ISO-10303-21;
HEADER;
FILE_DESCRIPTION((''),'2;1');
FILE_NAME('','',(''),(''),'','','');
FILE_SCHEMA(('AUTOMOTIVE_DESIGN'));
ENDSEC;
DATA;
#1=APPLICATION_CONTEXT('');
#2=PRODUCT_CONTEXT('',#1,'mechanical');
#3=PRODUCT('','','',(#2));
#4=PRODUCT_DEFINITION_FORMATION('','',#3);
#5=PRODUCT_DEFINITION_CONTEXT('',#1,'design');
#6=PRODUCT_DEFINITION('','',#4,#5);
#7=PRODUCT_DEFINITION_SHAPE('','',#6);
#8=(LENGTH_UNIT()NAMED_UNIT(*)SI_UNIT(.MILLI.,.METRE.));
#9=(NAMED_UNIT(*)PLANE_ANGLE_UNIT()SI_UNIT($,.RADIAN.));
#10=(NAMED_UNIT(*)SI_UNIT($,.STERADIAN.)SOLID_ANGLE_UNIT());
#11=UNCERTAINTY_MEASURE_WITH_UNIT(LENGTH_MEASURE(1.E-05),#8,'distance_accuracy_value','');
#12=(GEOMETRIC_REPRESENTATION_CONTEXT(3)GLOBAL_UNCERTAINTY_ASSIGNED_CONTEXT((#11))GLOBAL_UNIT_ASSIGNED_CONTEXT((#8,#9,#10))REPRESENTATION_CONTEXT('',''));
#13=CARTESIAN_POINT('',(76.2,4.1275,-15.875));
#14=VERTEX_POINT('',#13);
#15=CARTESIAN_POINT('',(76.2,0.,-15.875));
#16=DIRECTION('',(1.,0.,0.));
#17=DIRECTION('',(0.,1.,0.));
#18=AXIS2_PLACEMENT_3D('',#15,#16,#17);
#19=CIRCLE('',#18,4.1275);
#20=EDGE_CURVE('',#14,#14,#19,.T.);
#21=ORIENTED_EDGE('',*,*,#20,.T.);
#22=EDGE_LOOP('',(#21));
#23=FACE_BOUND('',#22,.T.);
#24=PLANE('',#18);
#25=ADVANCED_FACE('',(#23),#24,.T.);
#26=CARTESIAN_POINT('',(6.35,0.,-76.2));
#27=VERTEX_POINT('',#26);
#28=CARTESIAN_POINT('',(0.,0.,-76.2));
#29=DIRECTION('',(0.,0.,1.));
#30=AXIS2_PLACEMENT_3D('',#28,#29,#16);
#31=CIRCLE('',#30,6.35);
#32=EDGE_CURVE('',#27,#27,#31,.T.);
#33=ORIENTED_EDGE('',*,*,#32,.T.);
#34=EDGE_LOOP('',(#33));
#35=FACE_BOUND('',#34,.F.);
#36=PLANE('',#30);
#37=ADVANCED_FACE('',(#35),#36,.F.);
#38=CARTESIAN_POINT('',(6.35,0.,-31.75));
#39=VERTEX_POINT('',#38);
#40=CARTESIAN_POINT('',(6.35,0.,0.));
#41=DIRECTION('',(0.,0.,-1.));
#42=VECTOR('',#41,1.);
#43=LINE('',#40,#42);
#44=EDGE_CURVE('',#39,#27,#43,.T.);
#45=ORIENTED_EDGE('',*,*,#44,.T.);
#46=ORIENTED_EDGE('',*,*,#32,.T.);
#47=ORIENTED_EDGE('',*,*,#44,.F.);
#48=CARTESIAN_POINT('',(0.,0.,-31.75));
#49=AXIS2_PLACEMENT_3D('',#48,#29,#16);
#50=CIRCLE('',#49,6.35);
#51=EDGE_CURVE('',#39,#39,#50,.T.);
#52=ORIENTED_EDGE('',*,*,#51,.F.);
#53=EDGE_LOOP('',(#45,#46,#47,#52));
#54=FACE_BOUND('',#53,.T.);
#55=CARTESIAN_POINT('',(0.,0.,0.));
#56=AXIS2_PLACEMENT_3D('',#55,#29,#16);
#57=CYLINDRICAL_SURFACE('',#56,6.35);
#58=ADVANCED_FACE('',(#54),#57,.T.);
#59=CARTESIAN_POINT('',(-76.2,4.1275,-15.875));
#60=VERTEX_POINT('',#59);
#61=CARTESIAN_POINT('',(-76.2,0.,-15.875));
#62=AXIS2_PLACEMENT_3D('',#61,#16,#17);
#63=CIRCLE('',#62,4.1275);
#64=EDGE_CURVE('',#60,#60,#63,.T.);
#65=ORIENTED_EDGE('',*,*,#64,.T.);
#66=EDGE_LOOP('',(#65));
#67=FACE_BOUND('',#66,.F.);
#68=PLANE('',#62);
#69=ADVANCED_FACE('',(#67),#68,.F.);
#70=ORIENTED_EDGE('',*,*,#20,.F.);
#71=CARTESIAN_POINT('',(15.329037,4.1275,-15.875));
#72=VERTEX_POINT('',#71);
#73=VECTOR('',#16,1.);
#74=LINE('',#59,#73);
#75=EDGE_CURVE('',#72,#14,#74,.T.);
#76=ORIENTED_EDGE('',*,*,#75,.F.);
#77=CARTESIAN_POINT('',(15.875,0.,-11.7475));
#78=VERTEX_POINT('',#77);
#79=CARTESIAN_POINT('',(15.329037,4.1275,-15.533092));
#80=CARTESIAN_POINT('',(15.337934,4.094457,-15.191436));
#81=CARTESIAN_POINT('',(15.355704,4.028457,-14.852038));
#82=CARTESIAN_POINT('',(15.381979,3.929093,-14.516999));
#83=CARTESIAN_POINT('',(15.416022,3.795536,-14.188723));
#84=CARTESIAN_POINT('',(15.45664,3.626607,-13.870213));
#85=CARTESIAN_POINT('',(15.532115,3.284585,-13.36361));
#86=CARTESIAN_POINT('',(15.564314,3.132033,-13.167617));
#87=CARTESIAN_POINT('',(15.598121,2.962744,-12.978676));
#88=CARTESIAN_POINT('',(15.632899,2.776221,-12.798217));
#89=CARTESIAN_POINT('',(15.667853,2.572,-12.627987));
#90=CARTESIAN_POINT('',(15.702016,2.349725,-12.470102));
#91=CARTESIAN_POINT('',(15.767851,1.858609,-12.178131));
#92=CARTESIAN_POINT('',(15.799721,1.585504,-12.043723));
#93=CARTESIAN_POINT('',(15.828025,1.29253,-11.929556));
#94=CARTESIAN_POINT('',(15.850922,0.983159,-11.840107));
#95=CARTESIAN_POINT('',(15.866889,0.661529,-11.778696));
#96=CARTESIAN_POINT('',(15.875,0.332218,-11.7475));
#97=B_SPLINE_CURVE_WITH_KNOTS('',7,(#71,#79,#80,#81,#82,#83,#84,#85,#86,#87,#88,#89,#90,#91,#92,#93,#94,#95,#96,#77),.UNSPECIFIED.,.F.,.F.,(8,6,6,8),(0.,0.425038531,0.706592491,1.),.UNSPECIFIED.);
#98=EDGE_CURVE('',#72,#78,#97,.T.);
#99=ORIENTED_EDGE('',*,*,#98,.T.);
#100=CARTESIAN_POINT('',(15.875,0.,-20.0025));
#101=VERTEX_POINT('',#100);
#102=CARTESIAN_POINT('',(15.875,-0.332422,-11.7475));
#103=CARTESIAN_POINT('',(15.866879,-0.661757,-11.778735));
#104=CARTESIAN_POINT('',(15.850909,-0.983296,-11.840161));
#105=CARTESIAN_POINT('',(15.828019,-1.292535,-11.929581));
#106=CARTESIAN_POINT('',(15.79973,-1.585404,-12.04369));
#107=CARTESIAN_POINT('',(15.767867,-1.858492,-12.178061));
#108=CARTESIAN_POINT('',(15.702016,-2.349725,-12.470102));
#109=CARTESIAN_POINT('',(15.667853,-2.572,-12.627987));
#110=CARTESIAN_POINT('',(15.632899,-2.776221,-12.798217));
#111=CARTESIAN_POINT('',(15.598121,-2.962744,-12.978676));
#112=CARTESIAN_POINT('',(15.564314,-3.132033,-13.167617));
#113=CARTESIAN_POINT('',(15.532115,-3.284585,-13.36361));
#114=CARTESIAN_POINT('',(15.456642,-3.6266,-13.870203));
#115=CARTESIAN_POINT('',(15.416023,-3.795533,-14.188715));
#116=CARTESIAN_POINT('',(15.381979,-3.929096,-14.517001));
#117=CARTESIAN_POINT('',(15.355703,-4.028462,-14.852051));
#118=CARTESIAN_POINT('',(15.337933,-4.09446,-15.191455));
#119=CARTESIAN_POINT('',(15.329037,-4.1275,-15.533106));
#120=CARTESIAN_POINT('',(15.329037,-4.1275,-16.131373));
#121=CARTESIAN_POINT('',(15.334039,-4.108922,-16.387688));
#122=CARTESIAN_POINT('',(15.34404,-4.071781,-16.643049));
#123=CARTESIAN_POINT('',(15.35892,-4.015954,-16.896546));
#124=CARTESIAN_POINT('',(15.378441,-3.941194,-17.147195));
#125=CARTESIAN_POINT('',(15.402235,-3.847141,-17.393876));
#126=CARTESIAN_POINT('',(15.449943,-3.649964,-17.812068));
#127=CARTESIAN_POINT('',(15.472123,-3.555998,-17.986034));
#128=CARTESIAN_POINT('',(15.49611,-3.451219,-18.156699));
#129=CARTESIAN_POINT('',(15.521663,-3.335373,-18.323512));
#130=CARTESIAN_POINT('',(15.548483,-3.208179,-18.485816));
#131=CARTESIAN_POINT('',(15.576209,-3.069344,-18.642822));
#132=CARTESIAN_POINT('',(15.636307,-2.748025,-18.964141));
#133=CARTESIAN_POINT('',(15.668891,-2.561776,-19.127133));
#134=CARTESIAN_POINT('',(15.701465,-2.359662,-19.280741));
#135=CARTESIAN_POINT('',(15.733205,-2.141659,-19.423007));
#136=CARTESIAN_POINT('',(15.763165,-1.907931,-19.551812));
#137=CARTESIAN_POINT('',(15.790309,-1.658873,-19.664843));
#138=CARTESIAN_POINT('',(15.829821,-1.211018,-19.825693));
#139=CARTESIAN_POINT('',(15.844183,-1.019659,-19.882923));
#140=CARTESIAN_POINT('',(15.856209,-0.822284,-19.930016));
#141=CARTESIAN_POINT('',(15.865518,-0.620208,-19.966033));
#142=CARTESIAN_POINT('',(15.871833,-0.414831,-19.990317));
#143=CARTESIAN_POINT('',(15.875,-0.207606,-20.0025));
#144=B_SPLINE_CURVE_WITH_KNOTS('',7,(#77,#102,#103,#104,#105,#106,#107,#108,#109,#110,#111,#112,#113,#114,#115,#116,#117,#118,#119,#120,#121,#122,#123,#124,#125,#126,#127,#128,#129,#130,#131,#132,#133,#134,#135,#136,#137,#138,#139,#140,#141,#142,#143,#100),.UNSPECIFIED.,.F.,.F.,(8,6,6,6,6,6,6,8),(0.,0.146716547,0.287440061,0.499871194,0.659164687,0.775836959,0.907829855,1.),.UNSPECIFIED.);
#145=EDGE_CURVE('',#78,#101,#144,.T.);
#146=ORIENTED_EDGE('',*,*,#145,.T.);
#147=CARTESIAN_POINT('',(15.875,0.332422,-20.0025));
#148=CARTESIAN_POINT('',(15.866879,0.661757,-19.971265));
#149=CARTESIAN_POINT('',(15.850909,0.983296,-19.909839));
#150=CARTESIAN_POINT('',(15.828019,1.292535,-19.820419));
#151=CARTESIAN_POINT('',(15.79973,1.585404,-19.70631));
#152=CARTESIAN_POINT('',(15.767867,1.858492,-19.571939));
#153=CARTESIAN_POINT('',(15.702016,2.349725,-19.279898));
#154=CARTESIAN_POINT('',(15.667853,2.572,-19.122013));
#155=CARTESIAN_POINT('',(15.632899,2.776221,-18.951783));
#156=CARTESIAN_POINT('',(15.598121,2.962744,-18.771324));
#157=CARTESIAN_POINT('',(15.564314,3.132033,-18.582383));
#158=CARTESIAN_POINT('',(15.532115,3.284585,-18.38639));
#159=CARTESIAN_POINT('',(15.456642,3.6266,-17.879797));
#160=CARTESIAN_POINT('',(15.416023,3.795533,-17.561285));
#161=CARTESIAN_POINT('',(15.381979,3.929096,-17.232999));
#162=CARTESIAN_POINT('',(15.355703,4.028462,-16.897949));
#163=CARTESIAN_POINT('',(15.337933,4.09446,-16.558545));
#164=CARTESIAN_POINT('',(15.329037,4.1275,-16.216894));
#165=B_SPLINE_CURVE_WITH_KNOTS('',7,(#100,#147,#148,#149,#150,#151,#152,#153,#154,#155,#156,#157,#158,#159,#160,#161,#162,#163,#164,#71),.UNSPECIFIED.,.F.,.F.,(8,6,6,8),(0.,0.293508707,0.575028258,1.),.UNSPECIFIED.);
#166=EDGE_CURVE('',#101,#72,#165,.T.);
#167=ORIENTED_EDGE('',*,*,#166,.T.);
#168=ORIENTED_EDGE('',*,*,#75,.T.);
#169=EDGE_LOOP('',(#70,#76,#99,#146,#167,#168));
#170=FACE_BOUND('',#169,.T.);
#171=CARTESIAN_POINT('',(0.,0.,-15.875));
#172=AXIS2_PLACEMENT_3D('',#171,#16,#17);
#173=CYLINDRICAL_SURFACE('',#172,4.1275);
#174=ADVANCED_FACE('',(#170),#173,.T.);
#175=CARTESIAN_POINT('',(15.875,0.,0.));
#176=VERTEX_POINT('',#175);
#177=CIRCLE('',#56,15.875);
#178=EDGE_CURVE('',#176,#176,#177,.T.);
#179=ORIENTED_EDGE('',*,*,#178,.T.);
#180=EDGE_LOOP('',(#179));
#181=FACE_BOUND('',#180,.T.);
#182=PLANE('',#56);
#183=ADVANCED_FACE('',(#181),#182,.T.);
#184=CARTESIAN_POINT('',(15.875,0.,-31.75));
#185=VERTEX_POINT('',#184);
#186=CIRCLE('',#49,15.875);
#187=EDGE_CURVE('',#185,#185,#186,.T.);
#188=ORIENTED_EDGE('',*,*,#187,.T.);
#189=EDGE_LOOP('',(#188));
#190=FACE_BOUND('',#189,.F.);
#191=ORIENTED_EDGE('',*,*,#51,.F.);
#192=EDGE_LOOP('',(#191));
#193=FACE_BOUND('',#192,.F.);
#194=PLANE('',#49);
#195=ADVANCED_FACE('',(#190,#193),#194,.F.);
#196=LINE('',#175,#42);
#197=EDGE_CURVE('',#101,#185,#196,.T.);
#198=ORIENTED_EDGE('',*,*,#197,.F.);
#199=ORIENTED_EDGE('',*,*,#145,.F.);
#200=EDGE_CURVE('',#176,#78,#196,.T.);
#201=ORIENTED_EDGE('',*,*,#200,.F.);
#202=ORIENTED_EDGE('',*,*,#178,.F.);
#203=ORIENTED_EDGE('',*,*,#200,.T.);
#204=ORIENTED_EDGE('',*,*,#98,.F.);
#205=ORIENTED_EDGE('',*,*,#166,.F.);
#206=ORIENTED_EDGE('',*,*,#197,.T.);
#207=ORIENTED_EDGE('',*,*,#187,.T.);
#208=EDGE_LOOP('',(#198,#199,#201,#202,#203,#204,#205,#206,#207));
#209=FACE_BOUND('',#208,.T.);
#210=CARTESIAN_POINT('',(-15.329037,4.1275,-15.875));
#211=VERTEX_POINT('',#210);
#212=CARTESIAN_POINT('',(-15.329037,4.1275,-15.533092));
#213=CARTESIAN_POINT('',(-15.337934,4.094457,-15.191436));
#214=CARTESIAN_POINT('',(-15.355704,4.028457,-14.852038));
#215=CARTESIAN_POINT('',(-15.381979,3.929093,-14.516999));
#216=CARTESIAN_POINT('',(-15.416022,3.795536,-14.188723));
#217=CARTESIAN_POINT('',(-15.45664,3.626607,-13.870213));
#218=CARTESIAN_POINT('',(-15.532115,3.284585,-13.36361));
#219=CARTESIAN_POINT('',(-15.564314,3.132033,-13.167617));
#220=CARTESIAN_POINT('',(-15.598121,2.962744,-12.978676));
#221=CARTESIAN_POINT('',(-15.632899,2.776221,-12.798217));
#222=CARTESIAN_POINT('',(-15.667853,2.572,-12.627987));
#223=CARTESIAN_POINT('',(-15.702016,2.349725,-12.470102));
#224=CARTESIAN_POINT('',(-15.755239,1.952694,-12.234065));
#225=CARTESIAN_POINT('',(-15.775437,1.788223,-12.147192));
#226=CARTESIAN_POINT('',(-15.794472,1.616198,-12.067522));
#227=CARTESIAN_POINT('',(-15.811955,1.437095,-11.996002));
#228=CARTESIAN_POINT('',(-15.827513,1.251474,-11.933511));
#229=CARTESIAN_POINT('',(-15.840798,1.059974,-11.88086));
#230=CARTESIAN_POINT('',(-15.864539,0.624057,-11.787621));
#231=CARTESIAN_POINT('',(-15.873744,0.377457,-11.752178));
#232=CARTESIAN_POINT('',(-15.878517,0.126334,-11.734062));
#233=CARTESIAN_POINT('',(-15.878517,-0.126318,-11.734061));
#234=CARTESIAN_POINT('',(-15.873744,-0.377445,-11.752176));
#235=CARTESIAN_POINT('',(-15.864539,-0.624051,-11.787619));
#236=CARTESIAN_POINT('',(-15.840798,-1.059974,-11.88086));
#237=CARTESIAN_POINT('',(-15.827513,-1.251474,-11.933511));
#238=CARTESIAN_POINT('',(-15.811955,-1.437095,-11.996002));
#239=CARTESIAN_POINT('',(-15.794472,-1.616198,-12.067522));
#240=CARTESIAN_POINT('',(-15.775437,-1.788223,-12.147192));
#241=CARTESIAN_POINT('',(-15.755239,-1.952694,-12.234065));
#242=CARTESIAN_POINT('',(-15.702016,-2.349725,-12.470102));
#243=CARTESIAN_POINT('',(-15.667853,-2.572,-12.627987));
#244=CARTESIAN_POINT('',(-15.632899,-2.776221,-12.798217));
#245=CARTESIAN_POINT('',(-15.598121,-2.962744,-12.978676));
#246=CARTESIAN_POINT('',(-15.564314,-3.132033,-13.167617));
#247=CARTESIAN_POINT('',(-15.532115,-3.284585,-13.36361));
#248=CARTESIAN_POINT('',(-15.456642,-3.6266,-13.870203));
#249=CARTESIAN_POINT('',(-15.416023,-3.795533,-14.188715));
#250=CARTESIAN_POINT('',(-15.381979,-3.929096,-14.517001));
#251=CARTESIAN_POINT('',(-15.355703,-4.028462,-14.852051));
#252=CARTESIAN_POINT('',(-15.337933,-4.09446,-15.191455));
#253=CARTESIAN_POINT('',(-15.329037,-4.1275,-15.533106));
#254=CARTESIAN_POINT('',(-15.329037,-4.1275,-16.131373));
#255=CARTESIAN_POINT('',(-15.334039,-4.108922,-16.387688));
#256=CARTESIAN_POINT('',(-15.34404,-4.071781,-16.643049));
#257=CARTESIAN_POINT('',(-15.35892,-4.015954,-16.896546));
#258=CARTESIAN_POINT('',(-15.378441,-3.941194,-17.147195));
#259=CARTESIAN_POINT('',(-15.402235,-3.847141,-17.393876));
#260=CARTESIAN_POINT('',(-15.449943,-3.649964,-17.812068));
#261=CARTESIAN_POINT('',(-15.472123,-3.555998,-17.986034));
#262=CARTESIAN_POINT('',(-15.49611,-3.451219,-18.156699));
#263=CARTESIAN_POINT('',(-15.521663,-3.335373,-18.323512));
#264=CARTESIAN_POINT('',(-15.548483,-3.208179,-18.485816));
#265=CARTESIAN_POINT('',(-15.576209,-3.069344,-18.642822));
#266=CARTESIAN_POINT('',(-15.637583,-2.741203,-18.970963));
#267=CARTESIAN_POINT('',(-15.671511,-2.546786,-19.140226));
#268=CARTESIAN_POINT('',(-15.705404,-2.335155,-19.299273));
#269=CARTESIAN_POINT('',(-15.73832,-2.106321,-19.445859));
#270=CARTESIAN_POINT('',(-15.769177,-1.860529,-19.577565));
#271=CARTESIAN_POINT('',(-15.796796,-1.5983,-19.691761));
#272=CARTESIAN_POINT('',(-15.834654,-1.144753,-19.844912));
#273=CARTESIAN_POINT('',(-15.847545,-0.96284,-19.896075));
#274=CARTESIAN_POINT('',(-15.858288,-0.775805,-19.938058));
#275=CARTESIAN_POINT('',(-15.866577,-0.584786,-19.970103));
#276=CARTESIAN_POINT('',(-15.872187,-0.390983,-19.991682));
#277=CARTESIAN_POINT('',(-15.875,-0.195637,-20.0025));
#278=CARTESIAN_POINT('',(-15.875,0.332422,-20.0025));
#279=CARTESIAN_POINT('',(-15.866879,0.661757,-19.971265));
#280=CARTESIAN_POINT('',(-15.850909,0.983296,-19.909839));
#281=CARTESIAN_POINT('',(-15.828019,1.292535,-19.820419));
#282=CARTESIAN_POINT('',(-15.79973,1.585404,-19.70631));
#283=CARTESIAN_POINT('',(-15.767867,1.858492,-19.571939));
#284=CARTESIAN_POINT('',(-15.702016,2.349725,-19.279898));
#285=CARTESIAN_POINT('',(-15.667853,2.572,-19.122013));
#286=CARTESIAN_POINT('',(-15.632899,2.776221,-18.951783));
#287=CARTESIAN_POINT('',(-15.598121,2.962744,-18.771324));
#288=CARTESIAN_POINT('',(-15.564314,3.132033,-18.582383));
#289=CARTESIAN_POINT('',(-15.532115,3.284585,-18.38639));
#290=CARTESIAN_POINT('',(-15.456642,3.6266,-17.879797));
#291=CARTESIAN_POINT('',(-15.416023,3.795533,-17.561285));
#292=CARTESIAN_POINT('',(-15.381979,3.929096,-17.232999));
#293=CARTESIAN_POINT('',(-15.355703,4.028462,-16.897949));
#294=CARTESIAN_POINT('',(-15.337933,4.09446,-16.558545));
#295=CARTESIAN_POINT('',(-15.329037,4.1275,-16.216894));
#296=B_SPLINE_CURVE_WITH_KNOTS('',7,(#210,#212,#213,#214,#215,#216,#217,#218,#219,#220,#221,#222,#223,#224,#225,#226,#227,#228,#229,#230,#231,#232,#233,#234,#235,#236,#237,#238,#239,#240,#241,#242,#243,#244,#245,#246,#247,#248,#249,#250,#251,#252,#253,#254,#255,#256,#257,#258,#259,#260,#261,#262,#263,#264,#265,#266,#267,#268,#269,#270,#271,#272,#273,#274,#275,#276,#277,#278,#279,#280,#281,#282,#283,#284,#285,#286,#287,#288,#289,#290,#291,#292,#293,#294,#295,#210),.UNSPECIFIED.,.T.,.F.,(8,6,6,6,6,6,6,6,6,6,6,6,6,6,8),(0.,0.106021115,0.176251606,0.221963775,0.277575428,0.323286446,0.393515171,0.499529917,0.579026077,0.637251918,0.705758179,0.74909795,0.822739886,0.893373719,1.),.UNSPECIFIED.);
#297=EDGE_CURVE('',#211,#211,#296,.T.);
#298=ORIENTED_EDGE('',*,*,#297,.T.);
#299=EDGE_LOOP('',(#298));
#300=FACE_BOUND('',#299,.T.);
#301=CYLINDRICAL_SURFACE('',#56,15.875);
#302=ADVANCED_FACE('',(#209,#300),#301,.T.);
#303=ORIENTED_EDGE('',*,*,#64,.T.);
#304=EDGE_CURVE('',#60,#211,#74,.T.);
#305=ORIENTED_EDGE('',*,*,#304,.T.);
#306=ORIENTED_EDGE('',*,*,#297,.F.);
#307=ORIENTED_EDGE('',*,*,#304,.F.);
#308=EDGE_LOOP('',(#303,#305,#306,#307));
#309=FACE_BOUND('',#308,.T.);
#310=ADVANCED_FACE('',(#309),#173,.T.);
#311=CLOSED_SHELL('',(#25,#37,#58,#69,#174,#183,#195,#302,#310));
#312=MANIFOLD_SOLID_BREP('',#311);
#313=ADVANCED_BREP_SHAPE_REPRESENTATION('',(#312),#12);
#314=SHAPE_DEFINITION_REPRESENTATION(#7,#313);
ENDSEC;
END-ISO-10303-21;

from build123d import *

# Parameters (mm, degrees)
F0_R     = 15.875
F1_DEPTH = 31.75
F2_R     = 6.35
F3_DEPTH = 76.2
F4_R     = 4.1275
F5_DEPTH = 76.2


with BuildPart() as f1:
    # F0 (on Top) → F1 (new body)
    with BuildSketch(Plane.XY):
        Circle(F0_R)
    extrude(amount=-F1_DEPTH)

    # F2 (on Top) → F3 (join)
    with BuildSketch(Plane.XY):
        Circle(F2_R)
    extrude(amount=-F3_DEPTH)

    # F4 (on Right) → F5 (join, symmetric)
    with BuildSketch(Plane.YZ):
        with Locations((0, -15.875)):
            Circle(F4_R)
    extrude(amount=F5_DEPTH, both=True)


solid = f1.part
